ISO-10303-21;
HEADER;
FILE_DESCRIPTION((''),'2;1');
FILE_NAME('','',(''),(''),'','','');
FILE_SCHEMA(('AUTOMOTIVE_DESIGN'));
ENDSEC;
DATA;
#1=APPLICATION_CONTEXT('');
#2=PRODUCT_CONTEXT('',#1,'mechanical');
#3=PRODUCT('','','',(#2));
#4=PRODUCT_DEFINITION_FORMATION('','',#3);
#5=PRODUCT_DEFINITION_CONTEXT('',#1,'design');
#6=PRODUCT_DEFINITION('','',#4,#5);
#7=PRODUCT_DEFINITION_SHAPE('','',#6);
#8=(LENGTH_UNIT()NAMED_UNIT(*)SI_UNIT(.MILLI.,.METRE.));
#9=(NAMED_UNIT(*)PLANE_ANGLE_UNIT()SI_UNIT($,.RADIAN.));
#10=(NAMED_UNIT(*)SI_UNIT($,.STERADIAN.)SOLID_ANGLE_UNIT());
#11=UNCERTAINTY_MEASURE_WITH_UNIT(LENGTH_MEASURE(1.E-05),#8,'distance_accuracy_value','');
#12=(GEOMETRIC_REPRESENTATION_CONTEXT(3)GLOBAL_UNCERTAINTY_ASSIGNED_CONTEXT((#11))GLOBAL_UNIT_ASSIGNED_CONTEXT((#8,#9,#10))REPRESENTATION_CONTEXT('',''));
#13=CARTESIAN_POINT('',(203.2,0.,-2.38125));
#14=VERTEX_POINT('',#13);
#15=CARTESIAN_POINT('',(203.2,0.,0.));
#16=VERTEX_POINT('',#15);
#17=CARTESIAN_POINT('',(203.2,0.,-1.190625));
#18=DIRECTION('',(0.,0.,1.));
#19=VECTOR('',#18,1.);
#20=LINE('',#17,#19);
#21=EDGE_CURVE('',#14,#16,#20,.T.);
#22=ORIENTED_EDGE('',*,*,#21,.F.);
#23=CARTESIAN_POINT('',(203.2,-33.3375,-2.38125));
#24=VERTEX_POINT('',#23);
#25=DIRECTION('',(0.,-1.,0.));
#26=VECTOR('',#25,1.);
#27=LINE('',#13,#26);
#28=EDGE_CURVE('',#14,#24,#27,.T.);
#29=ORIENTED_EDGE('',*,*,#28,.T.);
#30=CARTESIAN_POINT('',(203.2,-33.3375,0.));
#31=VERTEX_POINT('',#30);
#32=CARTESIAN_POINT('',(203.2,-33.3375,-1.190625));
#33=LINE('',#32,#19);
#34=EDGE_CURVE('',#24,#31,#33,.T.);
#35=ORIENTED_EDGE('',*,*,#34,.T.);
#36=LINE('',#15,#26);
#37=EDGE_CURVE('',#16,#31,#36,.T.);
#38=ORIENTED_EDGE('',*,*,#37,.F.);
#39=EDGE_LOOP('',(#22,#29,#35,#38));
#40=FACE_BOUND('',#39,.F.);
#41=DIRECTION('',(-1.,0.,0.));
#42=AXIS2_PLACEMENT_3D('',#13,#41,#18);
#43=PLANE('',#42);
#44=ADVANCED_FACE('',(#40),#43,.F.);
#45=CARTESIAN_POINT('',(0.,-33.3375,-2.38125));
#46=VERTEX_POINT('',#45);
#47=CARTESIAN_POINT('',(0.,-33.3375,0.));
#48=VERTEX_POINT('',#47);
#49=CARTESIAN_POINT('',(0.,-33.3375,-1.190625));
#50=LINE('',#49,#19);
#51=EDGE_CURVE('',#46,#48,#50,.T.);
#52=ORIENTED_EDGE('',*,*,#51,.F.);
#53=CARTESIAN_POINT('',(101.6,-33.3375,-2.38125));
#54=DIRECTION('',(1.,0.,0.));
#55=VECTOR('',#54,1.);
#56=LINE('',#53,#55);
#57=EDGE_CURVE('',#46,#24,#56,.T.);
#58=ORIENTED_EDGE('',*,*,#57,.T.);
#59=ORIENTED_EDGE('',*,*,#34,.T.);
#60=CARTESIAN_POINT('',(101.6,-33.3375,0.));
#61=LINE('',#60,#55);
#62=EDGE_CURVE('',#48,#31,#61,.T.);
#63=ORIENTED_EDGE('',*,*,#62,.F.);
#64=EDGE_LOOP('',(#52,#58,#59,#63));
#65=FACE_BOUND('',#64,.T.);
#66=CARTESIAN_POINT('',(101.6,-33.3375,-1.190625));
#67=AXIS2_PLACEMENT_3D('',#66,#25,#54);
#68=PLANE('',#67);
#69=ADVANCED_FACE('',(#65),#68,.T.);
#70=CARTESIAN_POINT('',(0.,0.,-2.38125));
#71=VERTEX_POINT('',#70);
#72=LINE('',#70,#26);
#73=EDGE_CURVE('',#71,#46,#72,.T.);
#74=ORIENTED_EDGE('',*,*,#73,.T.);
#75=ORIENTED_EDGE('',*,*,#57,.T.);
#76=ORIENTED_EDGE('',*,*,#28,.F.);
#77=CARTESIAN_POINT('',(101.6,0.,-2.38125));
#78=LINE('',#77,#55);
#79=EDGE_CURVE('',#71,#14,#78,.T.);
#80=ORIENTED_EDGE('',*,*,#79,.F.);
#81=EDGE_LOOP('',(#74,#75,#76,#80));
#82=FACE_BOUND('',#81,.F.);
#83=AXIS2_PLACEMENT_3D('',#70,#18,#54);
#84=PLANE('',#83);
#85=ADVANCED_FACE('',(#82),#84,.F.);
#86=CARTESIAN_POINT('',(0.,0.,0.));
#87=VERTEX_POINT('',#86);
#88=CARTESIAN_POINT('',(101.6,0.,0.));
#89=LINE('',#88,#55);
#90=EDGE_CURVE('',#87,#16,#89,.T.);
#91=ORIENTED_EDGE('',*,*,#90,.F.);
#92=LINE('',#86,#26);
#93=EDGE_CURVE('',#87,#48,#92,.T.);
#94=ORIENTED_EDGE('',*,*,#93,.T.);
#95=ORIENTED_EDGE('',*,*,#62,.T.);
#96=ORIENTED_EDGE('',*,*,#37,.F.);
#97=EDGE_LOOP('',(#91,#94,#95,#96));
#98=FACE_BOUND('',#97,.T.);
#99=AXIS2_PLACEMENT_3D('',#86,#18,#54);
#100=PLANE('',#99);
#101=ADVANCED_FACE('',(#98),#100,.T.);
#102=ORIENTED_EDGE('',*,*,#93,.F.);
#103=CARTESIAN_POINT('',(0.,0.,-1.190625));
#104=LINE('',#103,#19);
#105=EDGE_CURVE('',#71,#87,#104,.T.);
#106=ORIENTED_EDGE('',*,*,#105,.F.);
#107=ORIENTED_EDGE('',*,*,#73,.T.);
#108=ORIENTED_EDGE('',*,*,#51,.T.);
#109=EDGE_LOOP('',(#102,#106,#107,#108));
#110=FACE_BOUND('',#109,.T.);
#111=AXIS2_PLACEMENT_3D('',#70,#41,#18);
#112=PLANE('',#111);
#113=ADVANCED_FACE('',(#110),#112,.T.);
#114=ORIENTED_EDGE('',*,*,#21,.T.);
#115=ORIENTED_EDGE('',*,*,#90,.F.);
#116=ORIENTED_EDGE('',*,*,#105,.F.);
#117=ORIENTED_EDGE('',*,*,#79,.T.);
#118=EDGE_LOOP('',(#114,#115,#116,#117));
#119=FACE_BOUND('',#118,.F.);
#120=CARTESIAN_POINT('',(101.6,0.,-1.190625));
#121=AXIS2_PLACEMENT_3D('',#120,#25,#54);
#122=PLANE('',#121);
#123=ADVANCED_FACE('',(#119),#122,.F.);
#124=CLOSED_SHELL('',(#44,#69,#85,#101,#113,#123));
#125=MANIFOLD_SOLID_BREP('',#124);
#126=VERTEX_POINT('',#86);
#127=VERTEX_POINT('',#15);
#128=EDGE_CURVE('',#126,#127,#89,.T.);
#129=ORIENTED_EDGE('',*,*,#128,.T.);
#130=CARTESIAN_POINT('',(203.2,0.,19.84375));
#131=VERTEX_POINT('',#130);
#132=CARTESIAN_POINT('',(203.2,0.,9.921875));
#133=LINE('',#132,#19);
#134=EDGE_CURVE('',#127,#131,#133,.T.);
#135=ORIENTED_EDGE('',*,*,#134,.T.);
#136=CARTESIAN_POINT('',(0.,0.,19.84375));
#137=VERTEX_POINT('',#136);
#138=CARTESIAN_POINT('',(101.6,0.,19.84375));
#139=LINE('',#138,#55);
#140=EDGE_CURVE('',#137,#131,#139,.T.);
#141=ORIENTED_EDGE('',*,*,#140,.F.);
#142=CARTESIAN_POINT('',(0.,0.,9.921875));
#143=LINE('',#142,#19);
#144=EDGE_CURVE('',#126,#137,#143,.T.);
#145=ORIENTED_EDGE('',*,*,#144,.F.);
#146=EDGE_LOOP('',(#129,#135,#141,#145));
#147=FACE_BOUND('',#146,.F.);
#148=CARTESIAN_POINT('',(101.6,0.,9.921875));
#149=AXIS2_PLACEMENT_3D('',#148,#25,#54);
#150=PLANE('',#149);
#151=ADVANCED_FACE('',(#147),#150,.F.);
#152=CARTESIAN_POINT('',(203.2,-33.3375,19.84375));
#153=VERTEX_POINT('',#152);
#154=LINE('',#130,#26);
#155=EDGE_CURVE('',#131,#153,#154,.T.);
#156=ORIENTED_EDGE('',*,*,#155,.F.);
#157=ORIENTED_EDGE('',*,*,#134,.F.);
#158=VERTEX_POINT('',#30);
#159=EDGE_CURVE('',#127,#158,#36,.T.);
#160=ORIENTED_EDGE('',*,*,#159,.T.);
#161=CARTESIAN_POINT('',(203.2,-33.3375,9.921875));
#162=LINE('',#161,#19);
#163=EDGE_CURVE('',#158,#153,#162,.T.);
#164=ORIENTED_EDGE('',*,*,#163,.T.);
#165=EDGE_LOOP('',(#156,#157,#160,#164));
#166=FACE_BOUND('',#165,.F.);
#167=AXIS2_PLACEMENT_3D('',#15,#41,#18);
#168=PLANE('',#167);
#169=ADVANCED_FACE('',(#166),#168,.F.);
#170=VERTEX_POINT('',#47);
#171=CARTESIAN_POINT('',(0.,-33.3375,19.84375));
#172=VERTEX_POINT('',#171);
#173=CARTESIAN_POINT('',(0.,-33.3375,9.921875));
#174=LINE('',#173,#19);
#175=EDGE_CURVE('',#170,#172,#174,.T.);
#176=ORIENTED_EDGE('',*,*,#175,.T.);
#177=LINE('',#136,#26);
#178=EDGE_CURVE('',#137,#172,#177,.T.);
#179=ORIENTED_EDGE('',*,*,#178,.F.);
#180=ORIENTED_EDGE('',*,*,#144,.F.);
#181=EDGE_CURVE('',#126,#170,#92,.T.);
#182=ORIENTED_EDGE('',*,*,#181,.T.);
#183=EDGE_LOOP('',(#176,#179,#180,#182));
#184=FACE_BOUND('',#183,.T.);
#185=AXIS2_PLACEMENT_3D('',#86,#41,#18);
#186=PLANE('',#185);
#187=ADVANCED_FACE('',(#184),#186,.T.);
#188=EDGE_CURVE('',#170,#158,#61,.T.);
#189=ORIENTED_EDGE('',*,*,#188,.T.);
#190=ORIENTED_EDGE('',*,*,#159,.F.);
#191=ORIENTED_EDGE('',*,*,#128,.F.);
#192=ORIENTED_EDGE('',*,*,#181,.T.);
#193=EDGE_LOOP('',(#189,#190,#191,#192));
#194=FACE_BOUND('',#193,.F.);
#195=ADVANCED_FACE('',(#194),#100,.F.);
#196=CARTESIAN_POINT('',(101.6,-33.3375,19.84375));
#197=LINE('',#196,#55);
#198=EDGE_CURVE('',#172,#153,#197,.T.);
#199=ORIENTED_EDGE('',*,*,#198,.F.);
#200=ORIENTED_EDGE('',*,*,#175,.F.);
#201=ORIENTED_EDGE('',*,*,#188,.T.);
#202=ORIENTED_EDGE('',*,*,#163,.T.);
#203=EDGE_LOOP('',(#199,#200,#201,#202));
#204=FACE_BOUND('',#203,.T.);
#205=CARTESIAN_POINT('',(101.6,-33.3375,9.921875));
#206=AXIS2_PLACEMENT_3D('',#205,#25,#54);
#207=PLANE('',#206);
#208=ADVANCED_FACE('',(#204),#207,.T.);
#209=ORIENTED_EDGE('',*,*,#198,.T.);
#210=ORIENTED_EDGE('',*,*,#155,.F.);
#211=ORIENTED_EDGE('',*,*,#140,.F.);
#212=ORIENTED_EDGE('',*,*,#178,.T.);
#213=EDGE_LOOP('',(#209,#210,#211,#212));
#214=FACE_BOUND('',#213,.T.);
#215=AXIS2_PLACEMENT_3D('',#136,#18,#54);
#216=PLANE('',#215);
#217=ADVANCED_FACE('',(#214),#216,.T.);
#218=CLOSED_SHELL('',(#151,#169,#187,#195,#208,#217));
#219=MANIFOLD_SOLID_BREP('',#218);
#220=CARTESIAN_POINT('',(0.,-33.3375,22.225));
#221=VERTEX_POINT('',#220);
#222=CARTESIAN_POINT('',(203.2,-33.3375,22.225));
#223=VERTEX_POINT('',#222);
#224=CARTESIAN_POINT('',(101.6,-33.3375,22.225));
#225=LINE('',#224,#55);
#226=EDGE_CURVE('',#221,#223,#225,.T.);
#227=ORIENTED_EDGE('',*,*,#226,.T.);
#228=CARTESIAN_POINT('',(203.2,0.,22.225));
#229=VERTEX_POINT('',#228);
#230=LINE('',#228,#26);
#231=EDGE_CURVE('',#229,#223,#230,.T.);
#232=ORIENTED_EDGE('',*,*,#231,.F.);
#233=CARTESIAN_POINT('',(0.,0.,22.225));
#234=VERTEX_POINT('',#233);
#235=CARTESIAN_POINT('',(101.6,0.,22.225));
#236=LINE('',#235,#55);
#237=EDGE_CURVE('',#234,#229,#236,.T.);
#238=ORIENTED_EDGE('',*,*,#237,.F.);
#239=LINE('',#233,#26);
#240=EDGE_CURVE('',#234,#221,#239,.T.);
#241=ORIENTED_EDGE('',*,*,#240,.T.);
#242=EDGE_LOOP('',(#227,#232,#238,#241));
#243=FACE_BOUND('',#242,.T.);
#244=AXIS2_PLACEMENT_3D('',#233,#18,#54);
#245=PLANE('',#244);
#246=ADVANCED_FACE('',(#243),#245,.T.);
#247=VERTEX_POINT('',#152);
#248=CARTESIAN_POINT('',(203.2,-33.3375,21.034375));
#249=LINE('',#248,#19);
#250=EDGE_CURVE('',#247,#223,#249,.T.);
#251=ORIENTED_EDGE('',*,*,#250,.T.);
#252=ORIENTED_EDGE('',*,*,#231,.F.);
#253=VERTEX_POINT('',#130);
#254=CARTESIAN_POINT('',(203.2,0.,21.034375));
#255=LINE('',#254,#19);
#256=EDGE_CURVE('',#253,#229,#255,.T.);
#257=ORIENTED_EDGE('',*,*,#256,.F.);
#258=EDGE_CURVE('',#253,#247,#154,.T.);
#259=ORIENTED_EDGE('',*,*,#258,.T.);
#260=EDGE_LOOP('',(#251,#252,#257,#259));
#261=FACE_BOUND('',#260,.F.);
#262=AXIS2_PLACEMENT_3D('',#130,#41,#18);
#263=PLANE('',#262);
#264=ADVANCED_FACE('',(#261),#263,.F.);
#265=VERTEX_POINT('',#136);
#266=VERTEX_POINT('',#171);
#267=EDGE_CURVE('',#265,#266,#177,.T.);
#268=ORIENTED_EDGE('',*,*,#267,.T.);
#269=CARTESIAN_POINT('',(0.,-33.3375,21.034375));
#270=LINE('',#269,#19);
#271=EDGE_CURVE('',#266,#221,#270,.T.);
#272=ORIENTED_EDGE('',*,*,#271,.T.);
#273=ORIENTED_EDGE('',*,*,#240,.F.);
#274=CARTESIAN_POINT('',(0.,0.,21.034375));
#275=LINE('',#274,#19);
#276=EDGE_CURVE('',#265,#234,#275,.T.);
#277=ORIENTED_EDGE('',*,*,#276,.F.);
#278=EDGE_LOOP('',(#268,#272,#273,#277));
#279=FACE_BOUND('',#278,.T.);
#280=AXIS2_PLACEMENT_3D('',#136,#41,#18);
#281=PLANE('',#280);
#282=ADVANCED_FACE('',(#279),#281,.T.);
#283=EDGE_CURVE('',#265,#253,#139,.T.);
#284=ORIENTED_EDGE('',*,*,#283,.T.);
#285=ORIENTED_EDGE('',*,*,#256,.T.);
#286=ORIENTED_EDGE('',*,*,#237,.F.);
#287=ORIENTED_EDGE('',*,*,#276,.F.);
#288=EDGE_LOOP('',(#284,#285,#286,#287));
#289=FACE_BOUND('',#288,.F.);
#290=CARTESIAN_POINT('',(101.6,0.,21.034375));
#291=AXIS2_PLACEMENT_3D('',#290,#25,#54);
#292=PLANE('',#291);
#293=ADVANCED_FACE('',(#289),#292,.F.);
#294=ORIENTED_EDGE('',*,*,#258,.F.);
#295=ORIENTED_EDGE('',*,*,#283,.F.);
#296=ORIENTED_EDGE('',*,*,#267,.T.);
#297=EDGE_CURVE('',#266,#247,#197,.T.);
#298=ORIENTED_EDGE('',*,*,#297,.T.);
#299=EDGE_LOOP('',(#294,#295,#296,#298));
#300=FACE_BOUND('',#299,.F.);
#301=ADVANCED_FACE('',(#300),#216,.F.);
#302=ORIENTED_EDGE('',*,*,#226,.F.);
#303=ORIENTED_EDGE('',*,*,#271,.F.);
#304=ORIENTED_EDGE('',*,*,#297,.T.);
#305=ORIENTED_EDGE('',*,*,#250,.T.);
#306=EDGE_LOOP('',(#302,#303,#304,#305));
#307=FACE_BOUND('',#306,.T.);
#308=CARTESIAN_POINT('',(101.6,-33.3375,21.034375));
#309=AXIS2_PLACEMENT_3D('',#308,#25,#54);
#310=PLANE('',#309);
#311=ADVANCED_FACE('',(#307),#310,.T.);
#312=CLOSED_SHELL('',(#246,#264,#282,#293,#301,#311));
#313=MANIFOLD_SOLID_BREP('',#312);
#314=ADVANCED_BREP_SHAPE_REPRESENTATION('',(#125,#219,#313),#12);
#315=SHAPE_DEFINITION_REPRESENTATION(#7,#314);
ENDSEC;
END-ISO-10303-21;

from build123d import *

# Parameters (mm, degrees)
F0_W     = 203.2
F0_H     = 19.84375
F1_DEPTH = 33.3375
F2_W     = 203.2
F2_H     = 2.38125
F3_DEPTH = 33.3375


with BuildPart() as f1:
    # F0 (on Front) → F1 (new body)
    with BuildSketch(Plane.XZ):
        with Locations((101.6, 9.921875)):
            Rectangle(F0_W, F0_H)
    extrude(amount=F1_DEPTH)


with BuildPart() as f3:
    # F2 (on Front) → F3 (new body)
    with BuildSketch(Plane.XZ):
        with Locations((101.6, 21.034375)):
            Rectangle(F2_W, F2_H)
        with Locations((101.6, -1.190625)):
            Rectangle(F2_W, F2_H)
    extrude(amount=F3_DEPTH)


solid = Compound([f1.part, f3.part])
